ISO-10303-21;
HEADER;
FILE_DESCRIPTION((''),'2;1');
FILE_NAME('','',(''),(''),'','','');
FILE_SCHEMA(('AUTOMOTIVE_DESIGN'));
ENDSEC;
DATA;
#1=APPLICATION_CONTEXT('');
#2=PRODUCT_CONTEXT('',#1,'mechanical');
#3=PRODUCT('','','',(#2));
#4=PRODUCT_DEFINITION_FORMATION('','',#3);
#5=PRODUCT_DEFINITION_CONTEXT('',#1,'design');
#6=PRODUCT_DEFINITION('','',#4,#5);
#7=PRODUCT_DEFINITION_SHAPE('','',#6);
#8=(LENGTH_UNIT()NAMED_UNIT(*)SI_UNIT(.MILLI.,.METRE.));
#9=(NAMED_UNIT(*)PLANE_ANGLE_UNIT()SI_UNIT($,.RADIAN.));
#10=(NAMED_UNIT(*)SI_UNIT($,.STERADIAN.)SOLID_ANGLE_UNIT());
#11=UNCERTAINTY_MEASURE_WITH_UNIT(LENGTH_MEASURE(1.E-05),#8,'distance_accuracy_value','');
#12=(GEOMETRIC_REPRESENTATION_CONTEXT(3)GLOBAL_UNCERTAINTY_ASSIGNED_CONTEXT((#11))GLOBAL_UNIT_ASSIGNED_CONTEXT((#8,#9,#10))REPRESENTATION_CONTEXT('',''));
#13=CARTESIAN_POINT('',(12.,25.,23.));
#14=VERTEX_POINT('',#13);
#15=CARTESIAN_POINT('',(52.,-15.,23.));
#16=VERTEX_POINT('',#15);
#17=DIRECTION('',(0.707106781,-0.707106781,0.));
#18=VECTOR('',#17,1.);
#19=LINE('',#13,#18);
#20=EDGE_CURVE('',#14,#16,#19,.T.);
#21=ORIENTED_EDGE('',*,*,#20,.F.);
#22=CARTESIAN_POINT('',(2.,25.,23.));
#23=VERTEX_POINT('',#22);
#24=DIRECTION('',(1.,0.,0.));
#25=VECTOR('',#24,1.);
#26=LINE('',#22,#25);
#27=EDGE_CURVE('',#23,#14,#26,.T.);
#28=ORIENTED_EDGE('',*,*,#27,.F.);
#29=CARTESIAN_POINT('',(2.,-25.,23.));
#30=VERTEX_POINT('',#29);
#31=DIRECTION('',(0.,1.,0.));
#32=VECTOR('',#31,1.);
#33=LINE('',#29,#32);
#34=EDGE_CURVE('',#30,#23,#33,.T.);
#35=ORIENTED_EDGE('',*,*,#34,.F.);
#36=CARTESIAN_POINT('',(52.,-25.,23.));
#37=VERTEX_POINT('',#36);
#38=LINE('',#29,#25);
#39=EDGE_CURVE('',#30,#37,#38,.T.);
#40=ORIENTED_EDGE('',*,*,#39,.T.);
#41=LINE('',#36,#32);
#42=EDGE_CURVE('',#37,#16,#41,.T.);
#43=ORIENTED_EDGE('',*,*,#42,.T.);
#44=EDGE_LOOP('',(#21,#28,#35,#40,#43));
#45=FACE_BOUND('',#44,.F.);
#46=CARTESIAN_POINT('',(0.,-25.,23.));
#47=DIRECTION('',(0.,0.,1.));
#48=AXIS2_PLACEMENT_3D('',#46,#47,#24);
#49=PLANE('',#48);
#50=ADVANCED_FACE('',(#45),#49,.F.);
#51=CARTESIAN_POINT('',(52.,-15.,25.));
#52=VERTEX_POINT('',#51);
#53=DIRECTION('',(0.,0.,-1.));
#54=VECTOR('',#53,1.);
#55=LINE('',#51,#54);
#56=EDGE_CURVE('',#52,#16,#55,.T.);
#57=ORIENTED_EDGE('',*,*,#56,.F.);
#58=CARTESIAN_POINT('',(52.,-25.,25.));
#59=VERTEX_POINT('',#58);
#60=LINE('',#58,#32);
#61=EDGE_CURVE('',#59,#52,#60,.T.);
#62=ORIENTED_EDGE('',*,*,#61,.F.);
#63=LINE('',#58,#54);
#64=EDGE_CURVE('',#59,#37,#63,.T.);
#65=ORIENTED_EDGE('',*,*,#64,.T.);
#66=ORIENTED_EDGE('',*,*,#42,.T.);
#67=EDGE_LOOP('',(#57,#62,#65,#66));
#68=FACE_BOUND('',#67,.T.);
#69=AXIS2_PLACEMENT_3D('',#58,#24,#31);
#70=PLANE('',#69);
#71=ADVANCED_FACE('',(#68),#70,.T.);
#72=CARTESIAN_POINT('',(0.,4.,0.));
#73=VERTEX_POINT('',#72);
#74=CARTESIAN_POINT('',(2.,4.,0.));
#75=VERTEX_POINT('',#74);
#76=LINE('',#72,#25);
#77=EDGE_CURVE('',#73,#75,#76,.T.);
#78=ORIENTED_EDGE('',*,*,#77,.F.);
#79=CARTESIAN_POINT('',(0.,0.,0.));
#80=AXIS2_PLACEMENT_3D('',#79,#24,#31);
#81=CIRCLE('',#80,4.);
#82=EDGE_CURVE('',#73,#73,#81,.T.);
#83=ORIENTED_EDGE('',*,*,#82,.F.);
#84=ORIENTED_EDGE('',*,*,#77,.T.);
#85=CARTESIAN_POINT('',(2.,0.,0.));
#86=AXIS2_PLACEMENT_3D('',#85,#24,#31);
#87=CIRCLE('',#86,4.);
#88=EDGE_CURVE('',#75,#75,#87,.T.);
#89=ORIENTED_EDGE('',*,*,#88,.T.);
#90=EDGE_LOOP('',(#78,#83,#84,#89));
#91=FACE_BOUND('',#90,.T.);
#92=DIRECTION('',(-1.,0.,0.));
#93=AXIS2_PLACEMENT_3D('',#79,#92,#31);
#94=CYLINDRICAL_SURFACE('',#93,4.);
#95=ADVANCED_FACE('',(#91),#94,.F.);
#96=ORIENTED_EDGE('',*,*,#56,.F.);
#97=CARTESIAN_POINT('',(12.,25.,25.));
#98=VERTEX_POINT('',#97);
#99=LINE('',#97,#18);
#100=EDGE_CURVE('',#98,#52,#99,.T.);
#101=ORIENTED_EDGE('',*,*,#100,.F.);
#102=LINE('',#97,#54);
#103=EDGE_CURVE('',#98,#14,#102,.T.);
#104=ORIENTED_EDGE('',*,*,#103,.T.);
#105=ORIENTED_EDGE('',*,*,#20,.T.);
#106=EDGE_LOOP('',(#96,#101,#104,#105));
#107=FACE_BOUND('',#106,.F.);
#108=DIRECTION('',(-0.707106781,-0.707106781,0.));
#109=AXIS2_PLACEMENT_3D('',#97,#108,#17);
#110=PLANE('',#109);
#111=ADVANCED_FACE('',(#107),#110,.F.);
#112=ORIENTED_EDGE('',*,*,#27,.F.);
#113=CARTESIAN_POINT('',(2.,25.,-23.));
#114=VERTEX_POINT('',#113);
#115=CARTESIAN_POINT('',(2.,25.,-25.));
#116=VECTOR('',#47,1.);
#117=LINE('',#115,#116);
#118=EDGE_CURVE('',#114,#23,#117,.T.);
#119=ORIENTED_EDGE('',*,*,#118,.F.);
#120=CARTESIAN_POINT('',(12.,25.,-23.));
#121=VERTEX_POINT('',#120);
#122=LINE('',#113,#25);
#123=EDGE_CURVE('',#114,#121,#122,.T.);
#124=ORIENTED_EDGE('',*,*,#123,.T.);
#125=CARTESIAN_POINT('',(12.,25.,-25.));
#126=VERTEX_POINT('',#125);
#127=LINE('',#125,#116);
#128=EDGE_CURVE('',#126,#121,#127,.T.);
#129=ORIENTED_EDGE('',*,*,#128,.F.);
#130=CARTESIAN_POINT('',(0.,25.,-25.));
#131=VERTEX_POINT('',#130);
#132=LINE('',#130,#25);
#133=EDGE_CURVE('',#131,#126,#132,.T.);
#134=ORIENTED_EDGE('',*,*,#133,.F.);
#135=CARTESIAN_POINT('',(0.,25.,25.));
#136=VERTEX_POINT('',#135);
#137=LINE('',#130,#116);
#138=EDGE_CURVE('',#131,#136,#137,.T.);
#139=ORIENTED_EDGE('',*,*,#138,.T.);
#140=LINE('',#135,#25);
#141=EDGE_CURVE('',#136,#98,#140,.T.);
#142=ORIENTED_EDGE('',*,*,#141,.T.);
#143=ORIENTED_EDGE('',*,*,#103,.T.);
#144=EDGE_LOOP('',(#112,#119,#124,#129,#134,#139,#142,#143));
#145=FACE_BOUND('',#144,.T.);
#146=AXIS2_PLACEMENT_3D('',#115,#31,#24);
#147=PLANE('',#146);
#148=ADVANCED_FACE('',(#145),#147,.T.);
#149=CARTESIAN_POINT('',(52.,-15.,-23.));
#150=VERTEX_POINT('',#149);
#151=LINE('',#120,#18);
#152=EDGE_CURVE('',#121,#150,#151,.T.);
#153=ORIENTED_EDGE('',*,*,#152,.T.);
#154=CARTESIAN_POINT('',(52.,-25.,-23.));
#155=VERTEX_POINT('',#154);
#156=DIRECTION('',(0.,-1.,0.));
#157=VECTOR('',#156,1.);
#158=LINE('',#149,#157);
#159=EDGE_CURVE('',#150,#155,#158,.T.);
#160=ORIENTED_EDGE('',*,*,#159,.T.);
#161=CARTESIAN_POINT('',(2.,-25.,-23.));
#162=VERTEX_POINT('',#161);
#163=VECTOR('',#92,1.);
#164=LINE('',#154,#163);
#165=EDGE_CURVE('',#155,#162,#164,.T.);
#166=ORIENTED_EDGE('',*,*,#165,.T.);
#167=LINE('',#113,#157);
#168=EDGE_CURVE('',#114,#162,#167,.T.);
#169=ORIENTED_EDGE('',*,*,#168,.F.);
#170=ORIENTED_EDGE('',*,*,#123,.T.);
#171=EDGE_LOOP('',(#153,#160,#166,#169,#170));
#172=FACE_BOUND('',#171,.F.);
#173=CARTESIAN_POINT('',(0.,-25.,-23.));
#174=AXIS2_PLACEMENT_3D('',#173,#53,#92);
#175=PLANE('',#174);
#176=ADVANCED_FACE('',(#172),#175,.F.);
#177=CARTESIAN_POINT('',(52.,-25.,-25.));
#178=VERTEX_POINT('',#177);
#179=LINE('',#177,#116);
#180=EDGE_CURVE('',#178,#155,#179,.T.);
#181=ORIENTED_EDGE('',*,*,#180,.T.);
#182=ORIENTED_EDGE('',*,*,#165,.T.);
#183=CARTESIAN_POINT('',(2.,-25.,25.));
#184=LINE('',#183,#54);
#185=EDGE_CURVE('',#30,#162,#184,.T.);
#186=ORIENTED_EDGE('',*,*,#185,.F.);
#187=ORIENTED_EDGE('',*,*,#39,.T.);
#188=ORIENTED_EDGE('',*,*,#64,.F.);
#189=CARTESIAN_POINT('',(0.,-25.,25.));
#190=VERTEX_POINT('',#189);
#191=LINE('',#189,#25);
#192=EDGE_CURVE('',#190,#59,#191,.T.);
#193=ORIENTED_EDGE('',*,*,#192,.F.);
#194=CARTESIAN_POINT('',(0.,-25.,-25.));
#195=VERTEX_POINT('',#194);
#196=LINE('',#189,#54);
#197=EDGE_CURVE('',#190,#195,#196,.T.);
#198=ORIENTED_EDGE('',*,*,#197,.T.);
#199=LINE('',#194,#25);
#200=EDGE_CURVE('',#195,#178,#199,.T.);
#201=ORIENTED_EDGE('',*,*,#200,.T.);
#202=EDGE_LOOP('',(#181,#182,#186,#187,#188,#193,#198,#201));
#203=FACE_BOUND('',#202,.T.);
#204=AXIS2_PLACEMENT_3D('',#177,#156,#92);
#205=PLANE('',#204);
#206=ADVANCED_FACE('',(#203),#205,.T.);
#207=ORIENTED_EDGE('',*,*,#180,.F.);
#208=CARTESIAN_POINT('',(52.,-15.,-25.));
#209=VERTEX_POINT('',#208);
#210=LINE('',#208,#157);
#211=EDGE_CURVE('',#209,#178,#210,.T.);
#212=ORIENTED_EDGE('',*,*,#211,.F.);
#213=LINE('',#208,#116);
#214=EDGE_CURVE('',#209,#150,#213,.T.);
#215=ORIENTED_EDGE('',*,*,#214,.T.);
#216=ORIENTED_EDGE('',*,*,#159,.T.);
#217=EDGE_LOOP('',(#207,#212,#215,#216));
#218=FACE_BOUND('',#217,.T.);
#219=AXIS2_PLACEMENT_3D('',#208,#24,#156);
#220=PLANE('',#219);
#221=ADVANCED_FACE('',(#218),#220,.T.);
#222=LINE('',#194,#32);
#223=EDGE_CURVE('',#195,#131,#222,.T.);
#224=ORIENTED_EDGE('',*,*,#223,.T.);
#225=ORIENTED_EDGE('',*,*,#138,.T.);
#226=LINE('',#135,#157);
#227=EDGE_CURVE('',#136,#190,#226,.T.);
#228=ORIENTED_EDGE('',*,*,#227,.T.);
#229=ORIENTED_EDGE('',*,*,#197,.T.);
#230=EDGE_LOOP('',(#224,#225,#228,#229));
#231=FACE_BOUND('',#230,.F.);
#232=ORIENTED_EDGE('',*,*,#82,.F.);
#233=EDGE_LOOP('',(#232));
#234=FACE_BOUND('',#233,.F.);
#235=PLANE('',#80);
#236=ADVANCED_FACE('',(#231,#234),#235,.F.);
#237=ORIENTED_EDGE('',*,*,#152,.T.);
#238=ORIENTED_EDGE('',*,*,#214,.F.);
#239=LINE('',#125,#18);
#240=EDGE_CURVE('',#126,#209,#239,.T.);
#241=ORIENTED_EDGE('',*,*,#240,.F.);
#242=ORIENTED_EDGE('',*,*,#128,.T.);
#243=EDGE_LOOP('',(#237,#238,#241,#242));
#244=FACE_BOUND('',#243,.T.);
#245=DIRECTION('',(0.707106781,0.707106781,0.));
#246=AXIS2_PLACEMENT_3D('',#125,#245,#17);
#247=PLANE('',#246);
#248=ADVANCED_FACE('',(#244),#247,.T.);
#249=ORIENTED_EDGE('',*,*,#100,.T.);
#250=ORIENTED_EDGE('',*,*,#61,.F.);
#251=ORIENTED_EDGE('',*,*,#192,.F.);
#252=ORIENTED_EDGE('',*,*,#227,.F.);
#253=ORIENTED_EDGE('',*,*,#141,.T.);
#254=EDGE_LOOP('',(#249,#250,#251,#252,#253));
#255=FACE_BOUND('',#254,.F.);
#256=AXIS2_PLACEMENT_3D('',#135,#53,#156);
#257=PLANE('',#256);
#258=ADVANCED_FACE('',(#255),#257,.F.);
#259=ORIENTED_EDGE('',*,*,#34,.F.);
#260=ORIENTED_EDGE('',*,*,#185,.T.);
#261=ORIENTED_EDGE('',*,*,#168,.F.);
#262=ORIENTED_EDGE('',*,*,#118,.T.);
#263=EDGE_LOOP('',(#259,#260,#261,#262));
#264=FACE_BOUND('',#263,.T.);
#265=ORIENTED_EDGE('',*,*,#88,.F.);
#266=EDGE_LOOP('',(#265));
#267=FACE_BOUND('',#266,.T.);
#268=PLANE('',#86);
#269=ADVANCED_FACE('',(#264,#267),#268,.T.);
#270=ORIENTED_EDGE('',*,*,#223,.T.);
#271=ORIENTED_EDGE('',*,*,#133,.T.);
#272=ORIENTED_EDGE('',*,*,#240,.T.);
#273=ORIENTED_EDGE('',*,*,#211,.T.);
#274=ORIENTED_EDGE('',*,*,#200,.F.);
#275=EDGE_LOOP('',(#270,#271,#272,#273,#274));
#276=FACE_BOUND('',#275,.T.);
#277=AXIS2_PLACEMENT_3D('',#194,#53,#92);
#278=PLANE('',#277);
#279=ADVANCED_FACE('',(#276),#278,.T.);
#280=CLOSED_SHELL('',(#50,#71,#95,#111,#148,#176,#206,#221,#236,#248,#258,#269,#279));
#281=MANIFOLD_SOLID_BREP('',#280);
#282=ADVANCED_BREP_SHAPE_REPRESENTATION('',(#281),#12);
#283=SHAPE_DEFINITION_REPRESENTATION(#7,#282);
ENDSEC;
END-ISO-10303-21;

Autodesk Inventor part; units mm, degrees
ref_plane "YZ Plane" through (0, 0, 0) normal (1, 0, 0) x (0, 1, 0)
ref_plane "XZ Plane" through (0, 0, 0) normal (0, 1, 0) x (-1, 0, 0)
ref_plane "XY Plane" through (0, 0, 0) normal (0, 0, 1) x (1, 0, 0)
sketch "Sketch1" plane through (0, 0, 0) normal (1, 0, 0) x (0, 1, 0)
  line L0 (25, 25) -> (-25, 25)
  line L1 (-25, 25) -> (-25, -25)
  line L2 (-25, -25) -> (25, -25)
  line L3 (25, -25) -> (25, 25)
  line L4 (25, 25) -> (-25, -25) construction
  line L5 (-25, 25) -> (25, -25) construction
  circle A0 centre (0, 0) radius 4
  dimension "d0" = 50
  dimension "d1" = 50
  dimension "d11" = 8
extrude "Extrusion1" add sketch "Sketch1" along normal blind 2
sketch "Sketch2" plane through (0, -25, 25) normal (0, 0, 1) x (1, 0, 0)
  line L0 (2, 0) -> (52, 0)
  line L1 (52, 0) -> (52, 10)
  line L2 (2, 0) -> (2, 50) projected
  line L3 (2, 50) -> (12, 50)
  line L4 (12, 50) -> (52, 10)
  point P0 (0, 25)
  dimension "d4" = 50
  dimension "d5" = 10
  dimension "d6" = 10
extrude "Extrusion2" add sketch "Sketch2" against normal blind 2
sketch "Sketch3" plane through (0, -25, -25) normal (0, 0, -1) x (-1, 0, 0)
  line L0 (-52, 0) -> (-2, 0) projected
  line L1 (-2, 50) -> (-2, 0) projected
  line L2 (-2, 50) -> (-12, 50) projected
  line L3 (-12, 50) -> (-52, 10) projected
  line L4 (-52, 10) -> (-52, 0) projected
  point P0 (0, 25)
extrude "Extrusion3" add sketch "Sketch3" against normal blind 2
properties part number "Tensioner_fix"
